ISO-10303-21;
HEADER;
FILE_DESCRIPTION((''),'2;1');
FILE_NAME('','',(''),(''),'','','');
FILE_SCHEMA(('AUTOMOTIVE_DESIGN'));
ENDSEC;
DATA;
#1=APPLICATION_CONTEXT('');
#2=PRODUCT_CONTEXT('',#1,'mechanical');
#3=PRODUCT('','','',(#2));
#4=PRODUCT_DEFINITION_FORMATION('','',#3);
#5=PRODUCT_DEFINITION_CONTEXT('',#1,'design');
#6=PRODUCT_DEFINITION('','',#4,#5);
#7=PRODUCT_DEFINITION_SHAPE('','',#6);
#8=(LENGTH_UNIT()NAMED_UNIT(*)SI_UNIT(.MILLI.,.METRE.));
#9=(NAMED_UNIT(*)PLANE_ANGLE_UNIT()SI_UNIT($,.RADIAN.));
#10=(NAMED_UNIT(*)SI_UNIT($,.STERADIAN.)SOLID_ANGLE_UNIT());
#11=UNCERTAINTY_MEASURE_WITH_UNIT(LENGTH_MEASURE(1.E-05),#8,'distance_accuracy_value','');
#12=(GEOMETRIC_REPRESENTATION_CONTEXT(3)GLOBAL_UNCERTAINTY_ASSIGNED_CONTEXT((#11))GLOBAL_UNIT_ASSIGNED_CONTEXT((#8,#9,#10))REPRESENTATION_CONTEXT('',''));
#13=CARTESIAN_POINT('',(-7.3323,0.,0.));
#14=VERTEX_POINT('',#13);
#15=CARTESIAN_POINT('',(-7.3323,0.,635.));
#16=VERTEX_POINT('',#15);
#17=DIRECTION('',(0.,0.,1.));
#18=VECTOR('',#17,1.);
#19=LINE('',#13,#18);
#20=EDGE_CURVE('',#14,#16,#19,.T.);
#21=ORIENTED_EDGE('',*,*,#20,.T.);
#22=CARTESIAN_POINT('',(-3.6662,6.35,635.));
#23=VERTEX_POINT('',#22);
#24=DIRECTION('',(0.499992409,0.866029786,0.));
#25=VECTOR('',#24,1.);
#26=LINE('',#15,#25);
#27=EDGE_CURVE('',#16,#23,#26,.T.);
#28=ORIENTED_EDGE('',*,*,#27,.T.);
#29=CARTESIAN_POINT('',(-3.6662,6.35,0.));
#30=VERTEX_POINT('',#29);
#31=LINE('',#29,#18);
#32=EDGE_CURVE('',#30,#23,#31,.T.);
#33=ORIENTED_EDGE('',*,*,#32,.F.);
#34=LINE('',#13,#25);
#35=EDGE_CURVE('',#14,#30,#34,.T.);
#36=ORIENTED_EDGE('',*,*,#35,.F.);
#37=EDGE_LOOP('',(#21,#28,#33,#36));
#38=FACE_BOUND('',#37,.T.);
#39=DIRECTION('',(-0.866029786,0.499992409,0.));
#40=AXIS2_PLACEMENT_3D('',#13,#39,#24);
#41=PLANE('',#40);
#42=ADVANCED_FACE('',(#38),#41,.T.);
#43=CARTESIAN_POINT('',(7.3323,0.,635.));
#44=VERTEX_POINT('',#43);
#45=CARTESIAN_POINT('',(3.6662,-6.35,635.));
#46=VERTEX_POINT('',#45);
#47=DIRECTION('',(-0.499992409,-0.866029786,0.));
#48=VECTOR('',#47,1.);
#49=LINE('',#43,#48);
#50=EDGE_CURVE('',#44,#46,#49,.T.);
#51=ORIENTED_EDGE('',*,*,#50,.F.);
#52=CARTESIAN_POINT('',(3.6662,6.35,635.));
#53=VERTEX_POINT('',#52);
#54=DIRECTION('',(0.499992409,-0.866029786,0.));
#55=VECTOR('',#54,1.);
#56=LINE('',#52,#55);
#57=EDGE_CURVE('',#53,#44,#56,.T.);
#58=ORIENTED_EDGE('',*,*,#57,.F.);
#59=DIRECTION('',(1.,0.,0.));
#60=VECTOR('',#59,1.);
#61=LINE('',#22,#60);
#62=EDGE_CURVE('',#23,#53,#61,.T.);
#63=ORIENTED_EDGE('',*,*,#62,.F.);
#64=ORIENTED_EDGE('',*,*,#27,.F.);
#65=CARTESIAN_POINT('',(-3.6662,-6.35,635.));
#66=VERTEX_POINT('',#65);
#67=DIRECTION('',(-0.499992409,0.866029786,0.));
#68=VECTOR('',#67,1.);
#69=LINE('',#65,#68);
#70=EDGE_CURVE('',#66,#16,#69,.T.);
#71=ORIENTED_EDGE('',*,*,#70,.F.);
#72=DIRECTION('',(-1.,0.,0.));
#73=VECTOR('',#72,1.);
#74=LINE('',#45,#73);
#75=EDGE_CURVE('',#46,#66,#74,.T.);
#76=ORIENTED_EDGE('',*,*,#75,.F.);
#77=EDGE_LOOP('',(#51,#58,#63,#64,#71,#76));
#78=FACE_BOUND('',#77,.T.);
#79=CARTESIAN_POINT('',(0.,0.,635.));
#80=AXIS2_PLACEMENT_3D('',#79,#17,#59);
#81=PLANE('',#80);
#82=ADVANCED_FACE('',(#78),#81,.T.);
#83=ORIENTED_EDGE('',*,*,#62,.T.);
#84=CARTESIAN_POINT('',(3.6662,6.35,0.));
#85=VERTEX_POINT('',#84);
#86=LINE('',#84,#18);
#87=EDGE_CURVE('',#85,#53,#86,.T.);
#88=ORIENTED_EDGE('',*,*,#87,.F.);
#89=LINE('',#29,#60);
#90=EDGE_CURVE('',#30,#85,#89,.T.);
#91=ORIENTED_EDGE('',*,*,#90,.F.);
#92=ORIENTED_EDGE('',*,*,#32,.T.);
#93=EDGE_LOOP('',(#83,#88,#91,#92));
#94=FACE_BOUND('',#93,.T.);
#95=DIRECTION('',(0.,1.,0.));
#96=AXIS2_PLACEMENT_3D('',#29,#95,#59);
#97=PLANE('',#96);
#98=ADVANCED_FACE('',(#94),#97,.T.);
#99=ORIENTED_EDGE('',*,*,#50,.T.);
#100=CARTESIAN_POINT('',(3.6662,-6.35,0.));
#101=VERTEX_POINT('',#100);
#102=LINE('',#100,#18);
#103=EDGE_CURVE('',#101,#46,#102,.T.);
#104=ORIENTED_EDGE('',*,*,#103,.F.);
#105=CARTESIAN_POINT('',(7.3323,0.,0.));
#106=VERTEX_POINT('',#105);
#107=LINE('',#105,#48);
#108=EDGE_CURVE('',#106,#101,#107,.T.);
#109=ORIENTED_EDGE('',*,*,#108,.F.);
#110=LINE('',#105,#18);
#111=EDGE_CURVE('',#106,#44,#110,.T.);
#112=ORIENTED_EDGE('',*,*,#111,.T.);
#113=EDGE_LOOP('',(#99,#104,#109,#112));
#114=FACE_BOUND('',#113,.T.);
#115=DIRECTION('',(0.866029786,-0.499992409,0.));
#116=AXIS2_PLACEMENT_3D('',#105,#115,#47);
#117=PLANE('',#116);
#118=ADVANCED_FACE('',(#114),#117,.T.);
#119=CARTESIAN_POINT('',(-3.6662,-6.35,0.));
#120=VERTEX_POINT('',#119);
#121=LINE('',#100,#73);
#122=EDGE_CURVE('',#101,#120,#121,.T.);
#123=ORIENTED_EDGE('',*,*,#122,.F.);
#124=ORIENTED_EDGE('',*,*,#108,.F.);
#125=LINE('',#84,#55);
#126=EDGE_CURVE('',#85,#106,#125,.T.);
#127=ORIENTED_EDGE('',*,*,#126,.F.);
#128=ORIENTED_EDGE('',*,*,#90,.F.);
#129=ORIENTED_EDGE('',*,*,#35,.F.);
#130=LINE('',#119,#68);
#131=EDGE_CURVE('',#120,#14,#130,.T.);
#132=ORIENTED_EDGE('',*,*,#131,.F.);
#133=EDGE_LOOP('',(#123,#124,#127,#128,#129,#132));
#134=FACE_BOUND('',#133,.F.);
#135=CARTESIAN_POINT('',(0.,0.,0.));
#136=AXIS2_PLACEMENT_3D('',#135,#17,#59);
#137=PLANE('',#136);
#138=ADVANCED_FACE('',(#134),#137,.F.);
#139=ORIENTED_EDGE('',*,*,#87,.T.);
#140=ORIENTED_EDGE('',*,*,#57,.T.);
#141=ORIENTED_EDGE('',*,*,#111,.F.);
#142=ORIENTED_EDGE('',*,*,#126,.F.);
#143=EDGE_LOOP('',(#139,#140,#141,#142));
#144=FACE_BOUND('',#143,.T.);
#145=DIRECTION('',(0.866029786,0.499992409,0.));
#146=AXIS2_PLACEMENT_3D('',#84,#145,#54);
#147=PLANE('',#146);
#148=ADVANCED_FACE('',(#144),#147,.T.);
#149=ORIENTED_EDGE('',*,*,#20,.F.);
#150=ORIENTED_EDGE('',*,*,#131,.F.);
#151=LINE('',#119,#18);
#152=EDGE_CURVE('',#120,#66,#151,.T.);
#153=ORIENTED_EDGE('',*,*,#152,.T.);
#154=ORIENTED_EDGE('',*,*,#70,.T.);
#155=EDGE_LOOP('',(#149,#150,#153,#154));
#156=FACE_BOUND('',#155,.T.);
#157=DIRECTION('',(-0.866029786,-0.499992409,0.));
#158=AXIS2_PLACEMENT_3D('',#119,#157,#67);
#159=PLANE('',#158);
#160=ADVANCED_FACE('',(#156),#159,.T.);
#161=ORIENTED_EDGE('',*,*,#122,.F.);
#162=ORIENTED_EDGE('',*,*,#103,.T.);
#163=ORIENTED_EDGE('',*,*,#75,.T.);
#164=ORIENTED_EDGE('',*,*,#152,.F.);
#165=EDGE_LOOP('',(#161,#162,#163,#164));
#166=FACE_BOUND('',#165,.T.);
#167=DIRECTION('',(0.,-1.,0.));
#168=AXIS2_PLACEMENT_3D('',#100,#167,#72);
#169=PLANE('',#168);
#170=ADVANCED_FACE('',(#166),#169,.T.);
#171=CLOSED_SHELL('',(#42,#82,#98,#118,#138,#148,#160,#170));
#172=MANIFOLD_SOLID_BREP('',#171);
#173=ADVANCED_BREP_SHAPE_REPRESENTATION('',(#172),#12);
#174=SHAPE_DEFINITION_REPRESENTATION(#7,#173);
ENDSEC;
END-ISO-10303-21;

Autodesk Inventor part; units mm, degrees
ref_plane "YZ Plane" through (0, 0, 0) normal (1, 0, 0) x (0, 1, 0)
ref_plane "XZ Plane" through (0, 0, 0) normal (0, 1, 0) x (-1, 0, 0)
ref_plane "XY Plane" through (0, 0, 0) normal (0, 0, 1) x (1, 0, 0)
sketch "Sketch1" plane through (0, 0, 0) normal (0, 0, 1) x (1, 0, 0)
  line L0 (3.6662, 6.35) -> (7.3323, 0)
  line L1 (7.3323, 0) -> (3.6662, -6.35)
  line L2 (3.6662, -6.35) -> (-3.6662, -6.35)
  line L3 (-3.6662, -6.35) -> (-7.3323, 0)
  line L4 (-7.3323, 0) -> (-3.6662, 6.35)
  line L5 (-3.6662, 6.35) -> (3.6662, 6.35)
  point P0 (0, 0)
  point P1 (0, 0)
  dimension "d0" = 12.7
extrude "Extrusion1" add sketch "Sketch1" along normal blind 635
properties part number "Hex Shaft 1-2 in 5 in long (am-0856)" material "Steel, Alloy"
